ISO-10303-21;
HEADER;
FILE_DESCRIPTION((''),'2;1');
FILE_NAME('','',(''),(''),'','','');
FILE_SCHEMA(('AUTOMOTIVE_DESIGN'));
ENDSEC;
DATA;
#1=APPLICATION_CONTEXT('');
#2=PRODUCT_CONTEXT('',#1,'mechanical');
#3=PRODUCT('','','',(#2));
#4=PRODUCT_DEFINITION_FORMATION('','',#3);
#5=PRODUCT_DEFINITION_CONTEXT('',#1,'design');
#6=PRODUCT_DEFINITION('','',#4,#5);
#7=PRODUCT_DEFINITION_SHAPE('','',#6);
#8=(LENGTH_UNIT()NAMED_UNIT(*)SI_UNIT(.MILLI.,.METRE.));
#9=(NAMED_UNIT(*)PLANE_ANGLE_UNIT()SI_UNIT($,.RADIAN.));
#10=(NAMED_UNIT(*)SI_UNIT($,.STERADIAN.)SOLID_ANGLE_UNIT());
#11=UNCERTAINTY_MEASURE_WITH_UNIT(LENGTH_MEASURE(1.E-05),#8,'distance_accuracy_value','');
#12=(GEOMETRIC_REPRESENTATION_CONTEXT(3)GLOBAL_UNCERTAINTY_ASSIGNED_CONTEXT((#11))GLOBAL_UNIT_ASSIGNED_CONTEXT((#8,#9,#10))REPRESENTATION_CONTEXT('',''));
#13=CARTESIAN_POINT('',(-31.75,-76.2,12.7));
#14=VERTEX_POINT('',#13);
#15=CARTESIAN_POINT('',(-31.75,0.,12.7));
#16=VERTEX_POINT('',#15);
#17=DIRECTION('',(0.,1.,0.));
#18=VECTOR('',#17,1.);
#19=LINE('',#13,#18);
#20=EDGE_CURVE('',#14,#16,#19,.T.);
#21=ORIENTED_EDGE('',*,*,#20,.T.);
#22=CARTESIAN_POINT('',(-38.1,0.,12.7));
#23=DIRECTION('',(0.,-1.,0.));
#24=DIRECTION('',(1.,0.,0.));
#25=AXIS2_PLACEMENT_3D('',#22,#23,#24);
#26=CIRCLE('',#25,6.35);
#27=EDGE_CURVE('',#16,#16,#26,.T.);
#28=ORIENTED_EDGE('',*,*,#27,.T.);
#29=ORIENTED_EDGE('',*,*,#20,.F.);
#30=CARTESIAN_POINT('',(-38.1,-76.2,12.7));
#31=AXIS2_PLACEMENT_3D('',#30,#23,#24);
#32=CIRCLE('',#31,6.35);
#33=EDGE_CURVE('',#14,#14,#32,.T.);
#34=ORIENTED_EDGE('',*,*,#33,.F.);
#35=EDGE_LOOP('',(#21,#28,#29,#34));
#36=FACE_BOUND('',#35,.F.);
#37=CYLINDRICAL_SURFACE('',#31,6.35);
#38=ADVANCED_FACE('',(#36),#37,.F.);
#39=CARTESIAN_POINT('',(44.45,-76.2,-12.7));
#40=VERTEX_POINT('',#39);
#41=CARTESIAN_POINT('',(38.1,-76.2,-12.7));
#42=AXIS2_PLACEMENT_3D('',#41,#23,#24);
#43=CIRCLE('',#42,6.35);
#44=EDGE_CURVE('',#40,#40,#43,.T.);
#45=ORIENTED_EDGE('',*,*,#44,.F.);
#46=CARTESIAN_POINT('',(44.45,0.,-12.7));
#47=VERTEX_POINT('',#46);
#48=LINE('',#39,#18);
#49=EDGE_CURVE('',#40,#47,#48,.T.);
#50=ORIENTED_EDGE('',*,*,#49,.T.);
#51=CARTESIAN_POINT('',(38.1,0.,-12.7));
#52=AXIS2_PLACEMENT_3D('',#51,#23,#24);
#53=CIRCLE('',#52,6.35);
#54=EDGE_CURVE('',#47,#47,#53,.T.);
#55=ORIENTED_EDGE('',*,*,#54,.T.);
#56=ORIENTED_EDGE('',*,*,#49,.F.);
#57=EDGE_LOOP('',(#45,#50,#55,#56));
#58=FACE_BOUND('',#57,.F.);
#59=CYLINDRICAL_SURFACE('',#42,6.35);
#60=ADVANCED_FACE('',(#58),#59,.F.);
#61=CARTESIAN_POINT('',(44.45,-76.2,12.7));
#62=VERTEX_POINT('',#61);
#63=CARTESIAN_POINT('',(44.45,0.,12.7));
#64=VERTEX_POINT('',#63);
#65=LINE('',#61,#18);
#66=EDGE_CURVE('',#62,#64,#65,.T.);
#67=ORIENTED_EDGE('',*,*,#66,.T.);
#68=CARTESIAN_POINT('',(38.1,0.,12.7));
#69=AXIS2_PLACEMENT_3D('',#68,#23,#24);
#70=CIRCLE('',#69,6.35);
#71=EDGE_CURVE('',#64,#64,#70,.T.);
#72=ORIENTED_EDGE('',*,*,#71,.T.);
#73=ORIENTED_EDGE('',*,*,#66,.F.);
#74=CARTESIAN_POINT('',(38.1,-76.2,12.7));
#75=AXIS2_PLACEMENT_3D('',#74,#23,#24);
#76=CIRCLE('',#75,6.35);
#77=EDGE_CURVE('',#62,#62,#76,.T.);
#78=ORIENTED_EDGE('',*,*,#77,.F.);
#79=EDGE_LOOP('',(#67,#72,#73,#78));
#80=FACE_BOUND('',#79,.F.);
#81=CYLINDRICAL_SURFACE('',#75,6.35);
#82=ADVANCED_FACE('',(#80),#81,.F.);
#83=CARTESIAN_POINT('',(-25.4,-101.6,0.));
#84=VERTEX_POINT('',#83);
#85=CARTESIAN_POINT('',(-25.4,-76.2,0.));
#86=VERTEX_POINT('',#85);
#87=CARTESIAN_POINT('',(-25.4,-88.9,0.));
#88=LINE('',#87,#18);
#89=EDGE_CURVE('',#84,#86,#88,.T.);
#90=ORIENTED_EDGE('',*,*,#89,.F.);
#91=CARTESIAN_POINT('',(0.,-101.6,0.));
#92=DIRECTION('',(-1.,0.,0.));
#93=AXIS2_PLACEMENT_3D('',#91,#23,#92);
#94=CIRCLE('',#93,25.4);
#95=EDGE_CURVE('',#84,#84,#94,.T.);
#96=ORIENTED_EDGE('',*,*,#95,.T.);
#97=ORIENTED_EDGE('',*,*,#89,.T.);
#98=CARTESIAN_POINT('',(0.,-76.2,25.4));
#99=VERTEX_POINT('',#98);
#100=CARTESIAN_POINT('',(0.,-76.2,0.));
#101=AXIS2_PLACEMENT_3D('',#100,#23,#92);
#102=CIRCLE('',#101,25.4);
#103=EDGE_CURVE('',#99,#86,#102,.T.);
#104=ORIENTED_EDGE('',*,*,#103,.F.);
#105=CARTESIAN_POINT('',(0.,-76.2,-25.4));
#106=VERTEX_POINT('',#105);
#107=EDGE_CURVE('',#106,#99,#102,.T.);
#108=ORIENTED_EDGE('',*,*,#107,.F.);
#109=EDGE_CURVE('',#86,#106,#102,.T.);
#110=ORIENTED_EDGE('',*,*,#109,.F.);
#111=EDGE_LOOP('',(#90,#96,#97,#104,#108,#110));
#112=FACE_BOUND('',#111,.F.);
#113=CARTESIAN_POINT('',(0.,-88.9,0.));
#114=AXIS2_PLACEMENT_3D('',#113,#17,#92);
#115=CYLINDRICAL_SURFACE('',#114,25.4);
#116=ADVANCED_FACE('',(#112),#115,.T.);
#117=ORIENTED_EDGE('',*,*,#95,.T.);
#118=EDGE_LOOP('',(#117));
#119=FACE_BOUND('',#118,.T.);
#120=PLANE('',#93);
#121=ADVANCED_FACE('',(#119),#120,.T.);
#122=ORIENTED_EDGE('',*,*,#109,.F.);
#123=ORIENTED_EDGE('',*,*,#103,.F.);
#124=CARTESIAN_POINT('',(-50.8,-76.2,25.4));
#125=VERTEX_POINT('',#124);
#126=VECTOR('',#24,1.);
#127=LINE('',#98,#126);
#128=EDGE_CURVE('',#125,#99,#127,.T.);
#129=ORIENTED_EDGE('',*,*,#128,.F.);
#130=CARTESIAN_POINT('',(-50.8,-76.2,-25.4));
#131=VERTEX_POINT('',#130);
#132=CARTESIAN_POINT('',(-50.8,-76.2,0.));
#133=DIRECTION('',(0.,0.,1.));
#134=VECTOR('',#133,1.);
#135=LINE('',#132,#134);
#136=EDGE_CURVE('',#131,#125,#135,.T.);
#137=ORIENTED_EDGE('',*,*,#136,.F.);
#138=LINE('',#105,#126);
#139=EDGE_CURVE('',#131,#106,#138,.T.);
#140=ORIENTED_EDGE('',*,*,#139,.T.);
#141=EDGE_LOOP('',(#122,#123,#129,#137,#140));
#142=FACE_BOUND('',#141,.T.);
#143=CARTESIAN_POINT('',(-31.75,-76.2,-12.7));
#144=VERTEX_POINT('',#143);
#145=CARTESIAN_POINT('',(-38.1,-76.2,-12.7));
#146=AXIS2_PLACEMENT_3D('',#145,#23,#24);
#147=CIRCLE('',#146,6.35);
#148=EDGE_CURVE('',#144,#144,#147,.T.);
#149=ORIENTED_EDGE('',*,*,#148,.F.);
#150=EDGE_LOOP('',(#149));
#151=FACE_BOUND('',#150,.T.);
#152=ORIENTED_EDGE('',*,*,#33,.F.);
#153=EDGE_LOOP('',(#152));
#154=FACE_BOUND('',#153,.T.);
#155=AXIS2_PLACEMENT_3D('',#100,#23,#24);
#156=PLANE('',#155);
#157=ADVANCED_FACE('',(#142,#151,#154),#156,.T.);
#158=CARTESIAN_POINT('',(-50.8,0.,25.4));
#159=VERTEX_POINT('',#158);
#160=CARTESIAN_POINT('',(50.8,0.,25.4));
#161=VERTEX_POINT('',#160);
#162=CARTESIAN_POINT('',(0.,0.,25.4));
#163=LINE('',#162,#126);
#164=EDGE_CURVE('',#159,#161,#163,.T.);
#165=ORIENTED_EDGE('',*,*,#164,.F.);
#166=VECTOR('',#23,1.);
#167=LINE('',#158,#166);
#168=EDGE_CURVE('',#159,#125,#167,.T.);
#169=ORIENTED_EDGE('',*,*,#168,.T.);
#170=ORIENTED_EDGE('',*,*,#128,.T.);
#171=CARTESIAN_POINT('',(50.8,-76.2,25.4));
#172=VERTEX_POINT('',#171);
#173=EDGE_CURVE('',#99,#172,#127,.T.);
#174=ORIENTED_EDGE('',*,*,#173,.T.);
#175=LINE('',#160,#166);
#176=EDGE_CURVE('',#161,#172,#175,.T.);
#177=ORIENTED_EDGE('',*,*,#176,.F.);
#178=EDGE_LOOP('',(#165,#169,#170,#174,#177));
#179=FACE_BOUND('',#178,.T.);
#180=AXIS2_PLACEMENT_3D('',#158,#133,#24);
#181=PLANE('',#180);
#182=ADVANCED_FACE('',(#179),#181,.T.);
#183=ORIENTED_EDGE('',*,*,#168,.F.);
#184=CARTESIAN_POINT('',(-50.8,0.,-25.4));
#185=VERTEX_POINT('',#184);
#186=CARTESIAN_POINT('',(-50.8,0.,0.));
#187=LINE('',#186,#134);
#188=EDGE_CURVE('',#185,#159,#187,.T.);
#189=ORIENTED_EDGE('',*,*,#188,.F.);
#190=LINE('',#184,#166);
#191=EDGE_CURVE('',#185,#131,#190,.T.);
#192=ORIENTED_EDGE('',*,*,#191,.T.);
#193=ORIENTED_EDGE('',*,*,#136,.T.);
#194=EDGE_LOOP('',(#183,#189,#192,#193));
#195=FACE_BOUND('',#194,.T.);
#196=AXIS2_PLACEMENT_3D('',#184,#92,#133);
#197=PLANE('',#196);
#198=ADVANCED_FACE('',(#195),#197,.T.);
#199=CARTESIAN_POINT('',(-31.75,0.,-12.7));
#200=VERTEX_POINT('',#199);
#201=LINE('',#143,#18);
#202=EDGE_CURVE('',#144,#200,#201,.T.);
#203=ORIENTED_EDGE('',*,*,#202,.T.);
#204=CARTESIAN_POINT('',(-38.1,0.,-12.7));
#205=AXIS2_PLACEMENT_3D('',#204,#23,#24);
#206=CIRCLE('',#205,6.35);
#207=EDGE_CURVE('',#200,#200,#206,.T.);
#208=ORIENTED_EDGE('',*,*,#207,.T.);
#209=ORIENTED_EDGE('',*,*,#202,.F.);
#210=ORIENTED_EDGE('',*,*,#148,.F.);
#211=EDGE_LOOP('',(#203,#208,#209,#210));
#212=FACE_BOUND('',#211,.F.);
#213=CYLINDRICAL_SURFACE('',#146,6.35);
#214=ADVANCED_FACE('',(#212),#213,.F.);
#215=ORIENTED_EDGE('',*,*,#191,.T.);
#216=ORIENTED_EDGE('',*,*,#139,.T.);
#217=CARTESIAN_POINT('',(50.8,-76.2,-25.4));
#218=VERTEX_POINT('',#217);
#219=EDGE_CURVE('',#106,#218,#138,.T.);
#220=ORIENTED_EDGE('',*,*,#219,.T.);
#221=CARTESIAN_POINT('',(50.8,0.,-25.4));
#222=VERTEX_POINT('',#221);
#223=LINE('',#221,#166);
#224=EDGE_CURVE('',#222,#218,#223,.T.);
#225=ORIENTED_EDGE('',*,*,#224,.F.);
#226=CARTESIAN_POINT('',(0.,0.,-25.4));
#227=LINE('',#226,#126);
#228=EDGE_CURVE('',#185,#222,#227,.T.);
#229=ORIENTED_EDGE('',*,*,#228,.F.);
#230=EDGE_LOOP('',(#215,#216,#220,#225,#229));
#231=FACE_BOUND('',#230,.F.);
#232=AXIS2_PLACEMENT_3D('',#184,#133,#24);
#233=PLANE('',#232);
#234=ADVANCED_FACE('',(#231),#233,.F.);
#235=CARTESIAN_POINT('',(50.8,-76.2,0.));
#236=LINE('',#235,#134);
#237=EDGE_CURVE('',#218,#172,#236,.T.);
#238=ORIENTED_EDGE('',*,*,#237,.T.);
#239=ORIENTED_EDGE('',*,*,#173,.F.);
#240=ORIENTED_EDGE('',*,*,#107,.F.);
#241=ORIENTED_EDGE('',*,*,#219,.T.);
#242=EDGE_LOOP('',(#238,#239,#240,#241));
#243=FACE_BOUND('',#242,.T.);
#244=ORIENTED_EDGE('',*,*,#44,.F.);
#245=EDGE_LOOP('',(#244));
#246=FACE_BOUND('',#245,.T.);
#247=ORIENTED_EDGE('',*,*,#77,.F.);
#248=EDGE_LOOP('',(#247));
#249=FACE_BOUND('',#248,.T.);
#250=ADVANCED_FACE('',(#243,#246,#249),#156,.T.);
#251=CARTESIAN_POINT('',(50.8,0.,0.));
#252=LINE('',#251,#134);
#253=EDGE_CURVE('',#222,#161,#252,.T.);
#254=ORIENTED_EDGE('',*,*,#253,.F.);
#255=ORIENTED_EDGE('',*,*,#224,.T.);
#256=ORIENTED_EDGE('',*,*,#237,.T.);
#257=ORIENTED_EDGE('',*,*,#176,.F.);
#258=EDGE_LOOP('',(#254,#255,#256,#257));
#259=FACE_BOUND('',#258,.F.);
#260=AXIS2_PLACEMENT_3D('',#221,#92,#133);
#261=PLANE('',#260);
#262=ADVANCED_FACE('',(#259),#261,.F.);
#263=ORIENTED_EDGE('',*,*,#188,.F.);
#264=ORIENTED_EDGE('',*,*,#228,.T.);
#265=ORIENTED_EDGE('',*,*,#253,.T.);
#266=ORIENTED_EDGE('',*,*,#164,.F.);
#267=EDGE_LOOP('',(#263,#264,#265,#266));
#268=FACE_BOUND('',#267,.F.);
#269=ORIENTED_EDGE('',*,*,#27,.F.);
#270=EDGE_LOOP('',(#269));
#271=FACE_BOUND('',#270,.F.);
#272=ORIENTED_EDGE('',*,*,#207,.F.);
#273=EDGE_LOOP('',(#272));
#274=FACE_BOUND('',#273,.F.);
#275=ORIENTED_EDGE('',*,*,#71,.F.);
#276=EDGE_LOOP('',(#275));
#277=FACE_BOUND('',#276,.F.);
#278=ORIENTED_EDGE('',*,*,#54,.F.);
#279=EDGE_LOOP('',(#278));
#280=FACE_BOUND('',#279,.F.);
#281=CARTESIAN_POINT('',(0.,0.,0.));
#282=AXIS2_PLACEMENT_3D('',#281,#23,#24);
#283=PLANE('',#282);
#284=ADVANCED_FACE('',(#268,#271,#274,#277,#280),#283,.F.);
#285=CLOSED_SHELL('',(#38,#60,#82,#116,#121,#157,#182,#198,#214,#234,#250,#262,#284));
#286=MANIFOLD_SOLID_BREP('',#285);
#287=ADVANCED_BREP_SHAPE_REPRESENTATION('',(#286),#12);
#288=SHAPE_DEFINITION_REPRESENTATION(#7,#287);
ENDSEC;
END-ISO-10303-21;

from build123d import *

# Parameters (mm, degrees)
F0_W     = 101.6
F0_H     = 50.8
F1_DEPTH = 76.2
F2_R     = 6.35
F3_DEPTH = 76.201
F4_W     = 25.4
F4_H     = 25.4


with BuildPart() as f1:
    # F0 (on Front) → F1 (new body)
    with BuildSketch(Plane.XZ):
        Rectangle(F0_W, F0_H)
    extrude(amount=F1_DEPTH)

    # F2 (on face) → F3 (cut, through all)
    with BuildSketch(Plane.XZ.offset(76.2)):
        with Locations((-38.1, 12.7)):
            Circle(F2_R)
        with Locations((-38.1, -12.7)):
            Circle(F2_R)
        with Locations((38.1, -12.7)):
            Circle(F2_R)
        with Locations((38.1, 12.7)):
            Circle(F2_R)
    extrude(amount=-F3_DEPTH, mode=Mode.SUBTRACT)

    # F4 (on Top) → F5 (revolve)
    with BuildSketch(Plane.XY):
        with Locations((-12.7, -88.9)):
            Rectangle(F4_W, F4_H)
    revolve(axis=Axis((0, -54.245796, 0), (0, -1, 0)))


solid = f1.part
